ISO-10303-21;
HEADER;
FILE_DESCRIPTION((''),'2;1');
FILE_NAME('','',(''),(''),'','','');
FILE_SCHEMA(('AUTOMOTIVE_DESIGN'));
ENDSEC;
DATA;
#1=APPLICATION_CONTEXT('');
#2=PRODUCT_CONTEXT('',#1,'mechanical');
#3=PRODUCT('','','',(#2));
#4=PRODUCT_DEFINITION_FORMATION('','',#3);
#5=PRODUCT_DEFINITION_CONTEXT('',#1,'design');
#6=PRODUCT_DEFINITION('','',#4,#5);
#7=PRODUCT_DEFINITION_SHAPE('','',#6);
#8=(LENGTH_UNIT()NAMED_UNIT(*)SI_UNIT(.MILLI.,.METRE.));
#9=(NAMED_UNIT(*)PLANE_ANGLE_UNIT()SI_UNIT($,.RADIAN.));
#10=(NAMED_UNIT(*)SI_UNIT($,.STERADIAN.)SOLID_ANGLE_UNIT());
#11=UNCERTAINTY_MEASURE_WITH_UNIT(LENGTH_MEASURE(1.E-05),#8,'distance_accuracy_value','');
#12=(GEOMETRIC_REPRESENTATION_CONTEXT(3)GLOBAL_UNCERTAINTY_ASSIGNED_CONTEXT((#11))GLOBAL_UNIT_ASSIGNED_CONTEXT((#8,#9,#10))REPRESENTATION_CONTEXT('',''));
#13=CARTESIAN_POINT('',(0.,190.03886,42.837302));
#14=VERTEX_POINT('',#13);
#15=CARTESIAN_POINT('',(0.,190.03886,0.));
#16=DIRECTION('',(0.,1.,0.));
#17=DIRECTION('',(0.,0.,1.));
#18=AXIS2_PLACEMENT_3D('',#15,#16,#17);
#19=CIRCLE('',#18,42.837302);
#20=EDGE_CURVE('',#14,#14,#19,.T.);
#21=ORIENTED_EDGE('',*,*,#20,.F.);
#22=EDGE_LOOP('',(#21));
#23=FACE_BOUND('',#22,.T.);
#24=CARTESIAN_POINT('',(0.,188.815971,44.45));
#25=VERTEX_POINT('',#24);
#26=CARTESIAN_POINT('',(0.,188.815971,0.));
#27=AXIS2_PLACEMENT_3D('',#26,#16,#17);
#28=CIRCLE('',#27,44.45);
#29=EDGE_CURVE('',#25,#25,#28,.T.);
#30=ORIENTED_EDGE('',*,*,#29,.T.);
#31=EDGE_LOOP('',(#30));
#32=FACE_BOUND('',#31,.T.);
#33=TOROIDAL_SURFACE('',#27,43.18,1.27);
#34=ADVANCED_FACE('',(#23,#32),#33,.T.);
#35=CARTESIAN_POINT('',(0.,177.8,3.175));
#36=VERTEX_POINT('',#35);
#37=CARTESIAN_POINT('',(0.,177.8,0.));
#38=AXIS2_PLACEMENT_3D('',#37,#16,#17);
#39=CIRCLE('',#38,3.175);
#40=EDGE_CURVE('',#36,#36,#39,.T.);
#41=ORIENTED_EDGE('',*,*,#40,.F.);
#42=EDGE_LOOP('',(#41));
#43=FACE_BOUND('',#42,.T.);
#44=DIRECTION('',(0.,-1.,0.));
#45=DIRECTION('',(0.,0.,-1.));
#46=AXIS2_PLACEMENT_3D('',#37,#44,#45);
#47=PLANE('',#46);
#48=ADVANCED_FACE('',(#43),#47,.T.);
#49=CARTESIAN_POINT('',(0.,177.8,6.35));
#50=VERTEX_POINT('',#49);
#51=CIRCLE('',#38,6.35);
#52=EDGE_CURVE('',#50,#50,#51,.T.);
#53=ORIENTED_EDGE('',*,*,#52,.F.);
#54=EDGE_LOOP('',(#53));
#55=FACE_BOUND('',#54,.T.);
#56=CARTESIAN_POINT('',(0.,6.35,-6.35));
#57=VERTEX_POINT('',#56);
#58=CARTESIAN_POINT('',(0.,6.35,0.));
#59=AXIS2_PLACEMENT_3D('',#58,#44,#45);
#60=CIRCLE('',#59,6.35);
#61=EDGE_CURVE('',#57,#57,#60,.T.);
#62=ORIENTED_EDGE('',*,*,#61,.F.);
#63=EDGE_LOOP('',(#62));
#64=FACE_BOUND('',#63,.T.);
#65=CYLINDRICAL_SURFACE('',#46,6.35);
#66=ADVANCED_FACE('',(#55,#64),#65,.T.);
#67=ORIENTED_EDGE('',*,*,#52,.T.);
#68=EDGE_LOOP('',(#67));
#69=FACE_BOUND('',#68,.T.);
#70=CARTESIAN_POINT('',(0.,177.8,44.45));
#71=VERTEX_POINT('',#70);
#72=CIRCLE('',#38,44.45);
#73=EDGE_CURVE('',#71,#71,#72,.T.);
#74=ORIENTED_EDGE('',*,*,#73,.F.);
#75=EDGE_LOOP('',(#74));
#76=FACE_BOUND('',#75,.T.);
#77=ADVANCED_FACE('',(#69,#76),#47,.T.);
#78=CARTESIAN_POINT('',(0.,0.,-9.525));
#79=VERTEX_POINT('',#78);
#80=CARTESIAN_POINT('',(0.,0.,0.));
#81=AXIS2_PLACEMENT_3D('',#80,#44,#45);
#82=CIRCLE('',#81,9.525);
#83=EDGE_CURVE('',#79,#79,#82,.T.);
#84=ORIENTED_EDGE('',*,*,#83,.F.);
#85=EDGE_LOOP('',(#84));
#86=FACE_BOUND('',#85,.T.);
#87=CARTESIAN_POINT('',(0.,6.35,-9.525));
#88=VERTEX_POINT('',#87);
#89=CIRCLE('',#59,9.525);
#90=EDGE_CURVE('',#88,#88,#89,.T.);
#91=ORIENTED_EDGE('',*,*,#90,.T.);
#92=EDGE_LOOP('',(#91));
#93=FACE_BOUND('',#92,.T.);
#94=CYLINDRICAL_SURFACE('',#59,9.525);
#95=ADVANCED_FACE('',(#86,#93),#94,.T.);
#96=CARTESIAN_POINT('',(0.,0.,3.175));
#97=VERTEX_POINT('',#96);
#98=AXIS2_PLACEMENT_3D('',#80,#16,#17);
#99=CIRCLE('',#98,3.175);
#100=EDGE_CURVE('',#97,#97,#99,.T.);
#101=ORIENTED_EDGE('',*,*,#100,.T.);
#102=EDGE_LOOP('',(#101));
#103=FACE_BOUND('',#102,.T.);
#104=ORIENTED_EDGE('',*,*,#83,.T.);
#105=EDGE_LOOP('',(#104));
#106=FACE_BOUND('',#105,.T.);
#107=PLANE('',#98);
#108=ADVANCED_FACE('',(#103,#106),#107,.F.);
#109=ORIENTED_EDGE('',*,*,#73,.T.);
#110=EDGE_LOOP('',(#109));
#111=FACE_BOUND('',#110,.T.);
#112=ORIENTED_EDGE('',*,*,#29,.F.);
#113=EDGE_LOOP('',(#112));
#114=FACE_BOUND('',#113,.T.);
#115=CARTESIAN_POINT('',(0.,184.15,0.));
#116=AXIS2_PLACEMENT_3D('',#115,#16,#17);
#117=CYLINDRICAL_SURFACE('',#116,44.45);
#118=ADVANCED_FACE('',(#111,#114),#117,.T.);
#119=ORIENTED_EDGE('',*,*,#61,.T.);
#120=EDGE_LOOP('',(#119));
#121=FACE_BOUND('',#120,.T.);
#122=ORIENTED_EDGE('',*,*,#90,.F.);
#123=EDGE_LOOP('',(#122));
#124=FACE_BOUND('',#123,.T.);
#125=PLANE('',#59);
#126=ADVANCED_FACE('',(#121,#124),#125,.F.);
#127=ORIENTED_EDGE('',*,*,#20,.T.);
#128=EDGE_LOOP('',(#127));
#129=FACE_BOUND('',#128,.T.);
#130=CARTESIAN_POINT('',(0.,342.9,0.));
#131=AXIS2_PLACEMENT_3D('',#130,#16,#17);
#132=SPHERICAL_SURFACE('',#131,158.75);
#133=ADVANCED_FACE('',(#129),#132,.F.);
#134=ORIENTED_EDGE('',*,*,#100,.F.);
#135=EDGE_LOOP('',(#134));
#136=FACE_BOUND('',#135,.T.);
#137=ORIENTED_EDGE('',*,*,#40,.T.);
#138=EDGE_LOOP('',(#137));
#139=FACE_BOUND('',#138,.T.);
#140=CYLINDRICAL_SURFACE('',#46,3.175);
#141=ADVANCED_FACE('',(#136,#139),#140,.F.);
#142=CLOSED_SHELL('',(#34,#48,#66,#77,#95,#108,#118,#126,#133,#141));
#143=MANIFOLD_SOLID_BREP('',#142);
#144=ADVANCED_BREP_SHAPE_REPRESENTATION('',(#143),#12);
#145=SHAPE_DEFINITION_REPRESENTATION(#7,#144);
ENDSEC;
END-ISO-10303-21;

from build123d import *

# Parameters (mm, degrees)
SKETCH1_R           = 6.35
SKETCH1_R_2         = 3.175
BOSS_EXTRUDE1_DEPTH = 177.8
SKETCH7_R           = 9.525
SKETCH7_R_2         = 6.35
BOSS_EXTRUDE2_DEPTH = 6.35


with BuildPart() as part:
    # Sketch1 → Boss-Extrude1 (new body)
    with BuildSketch(Plane(origin=(0, 0, 0), x_dir=(1, 0, 0), z_dir=(0, 1, 0))):
        with Locations(Location((0, 0, 0), (0, 0, 270))):
            Circle(SKETCH1_R)
        with Locations(Location((0, 0, 0), (0, 0, 270))):
            Circle(SKETCH1_R_2, mode=Mode.SUBTRACT)
    extrude(amount=BOSS_EXTRUDE1_DEPTH)

    # Sketch6 → Revolve2 (revolve)
    with BuildSketch(Plane(origin=(0, 0, 0), x_dir=(0, 0, -1), z_dir=(1, 0, 0))):
        with BuildLine():
            Line((0, 177.8), (-44.45, 177.8))
            Line((-44.45, 177.8), (-44.45, 188.815970977))
            ThreePointArc((-44.45, 188.815970977), (-43.947356832, 189.827931199), (-42.837301587, 190.038860096))
            ThreePointArc((-42.837301587, 190.038860096), (-21.620089503, 185.629105586), (0, 184.15))
            Line((0, 184.15), (0, 177.8))
        make_face()
    revolve(axis=Axis((0, 184.15, 0), (0, -1, 0)))

    # Sketch7 → Boss-Extrude2 (add)
    with BuildSketch(Plane.XZ):
        with Locations(Location((0, 0, 0), (0, 0, 270))):
            Circle(SKETCH7_R)
        with Locations(Location((0, 0, 0), (0, 0, 270))):
            Circle(SKETCH7_R_2, mode=Mode.SUBTRACT)
    extrude(amount=-BOSS_EXTRUDE2_DEPTH)


solid = part.part
